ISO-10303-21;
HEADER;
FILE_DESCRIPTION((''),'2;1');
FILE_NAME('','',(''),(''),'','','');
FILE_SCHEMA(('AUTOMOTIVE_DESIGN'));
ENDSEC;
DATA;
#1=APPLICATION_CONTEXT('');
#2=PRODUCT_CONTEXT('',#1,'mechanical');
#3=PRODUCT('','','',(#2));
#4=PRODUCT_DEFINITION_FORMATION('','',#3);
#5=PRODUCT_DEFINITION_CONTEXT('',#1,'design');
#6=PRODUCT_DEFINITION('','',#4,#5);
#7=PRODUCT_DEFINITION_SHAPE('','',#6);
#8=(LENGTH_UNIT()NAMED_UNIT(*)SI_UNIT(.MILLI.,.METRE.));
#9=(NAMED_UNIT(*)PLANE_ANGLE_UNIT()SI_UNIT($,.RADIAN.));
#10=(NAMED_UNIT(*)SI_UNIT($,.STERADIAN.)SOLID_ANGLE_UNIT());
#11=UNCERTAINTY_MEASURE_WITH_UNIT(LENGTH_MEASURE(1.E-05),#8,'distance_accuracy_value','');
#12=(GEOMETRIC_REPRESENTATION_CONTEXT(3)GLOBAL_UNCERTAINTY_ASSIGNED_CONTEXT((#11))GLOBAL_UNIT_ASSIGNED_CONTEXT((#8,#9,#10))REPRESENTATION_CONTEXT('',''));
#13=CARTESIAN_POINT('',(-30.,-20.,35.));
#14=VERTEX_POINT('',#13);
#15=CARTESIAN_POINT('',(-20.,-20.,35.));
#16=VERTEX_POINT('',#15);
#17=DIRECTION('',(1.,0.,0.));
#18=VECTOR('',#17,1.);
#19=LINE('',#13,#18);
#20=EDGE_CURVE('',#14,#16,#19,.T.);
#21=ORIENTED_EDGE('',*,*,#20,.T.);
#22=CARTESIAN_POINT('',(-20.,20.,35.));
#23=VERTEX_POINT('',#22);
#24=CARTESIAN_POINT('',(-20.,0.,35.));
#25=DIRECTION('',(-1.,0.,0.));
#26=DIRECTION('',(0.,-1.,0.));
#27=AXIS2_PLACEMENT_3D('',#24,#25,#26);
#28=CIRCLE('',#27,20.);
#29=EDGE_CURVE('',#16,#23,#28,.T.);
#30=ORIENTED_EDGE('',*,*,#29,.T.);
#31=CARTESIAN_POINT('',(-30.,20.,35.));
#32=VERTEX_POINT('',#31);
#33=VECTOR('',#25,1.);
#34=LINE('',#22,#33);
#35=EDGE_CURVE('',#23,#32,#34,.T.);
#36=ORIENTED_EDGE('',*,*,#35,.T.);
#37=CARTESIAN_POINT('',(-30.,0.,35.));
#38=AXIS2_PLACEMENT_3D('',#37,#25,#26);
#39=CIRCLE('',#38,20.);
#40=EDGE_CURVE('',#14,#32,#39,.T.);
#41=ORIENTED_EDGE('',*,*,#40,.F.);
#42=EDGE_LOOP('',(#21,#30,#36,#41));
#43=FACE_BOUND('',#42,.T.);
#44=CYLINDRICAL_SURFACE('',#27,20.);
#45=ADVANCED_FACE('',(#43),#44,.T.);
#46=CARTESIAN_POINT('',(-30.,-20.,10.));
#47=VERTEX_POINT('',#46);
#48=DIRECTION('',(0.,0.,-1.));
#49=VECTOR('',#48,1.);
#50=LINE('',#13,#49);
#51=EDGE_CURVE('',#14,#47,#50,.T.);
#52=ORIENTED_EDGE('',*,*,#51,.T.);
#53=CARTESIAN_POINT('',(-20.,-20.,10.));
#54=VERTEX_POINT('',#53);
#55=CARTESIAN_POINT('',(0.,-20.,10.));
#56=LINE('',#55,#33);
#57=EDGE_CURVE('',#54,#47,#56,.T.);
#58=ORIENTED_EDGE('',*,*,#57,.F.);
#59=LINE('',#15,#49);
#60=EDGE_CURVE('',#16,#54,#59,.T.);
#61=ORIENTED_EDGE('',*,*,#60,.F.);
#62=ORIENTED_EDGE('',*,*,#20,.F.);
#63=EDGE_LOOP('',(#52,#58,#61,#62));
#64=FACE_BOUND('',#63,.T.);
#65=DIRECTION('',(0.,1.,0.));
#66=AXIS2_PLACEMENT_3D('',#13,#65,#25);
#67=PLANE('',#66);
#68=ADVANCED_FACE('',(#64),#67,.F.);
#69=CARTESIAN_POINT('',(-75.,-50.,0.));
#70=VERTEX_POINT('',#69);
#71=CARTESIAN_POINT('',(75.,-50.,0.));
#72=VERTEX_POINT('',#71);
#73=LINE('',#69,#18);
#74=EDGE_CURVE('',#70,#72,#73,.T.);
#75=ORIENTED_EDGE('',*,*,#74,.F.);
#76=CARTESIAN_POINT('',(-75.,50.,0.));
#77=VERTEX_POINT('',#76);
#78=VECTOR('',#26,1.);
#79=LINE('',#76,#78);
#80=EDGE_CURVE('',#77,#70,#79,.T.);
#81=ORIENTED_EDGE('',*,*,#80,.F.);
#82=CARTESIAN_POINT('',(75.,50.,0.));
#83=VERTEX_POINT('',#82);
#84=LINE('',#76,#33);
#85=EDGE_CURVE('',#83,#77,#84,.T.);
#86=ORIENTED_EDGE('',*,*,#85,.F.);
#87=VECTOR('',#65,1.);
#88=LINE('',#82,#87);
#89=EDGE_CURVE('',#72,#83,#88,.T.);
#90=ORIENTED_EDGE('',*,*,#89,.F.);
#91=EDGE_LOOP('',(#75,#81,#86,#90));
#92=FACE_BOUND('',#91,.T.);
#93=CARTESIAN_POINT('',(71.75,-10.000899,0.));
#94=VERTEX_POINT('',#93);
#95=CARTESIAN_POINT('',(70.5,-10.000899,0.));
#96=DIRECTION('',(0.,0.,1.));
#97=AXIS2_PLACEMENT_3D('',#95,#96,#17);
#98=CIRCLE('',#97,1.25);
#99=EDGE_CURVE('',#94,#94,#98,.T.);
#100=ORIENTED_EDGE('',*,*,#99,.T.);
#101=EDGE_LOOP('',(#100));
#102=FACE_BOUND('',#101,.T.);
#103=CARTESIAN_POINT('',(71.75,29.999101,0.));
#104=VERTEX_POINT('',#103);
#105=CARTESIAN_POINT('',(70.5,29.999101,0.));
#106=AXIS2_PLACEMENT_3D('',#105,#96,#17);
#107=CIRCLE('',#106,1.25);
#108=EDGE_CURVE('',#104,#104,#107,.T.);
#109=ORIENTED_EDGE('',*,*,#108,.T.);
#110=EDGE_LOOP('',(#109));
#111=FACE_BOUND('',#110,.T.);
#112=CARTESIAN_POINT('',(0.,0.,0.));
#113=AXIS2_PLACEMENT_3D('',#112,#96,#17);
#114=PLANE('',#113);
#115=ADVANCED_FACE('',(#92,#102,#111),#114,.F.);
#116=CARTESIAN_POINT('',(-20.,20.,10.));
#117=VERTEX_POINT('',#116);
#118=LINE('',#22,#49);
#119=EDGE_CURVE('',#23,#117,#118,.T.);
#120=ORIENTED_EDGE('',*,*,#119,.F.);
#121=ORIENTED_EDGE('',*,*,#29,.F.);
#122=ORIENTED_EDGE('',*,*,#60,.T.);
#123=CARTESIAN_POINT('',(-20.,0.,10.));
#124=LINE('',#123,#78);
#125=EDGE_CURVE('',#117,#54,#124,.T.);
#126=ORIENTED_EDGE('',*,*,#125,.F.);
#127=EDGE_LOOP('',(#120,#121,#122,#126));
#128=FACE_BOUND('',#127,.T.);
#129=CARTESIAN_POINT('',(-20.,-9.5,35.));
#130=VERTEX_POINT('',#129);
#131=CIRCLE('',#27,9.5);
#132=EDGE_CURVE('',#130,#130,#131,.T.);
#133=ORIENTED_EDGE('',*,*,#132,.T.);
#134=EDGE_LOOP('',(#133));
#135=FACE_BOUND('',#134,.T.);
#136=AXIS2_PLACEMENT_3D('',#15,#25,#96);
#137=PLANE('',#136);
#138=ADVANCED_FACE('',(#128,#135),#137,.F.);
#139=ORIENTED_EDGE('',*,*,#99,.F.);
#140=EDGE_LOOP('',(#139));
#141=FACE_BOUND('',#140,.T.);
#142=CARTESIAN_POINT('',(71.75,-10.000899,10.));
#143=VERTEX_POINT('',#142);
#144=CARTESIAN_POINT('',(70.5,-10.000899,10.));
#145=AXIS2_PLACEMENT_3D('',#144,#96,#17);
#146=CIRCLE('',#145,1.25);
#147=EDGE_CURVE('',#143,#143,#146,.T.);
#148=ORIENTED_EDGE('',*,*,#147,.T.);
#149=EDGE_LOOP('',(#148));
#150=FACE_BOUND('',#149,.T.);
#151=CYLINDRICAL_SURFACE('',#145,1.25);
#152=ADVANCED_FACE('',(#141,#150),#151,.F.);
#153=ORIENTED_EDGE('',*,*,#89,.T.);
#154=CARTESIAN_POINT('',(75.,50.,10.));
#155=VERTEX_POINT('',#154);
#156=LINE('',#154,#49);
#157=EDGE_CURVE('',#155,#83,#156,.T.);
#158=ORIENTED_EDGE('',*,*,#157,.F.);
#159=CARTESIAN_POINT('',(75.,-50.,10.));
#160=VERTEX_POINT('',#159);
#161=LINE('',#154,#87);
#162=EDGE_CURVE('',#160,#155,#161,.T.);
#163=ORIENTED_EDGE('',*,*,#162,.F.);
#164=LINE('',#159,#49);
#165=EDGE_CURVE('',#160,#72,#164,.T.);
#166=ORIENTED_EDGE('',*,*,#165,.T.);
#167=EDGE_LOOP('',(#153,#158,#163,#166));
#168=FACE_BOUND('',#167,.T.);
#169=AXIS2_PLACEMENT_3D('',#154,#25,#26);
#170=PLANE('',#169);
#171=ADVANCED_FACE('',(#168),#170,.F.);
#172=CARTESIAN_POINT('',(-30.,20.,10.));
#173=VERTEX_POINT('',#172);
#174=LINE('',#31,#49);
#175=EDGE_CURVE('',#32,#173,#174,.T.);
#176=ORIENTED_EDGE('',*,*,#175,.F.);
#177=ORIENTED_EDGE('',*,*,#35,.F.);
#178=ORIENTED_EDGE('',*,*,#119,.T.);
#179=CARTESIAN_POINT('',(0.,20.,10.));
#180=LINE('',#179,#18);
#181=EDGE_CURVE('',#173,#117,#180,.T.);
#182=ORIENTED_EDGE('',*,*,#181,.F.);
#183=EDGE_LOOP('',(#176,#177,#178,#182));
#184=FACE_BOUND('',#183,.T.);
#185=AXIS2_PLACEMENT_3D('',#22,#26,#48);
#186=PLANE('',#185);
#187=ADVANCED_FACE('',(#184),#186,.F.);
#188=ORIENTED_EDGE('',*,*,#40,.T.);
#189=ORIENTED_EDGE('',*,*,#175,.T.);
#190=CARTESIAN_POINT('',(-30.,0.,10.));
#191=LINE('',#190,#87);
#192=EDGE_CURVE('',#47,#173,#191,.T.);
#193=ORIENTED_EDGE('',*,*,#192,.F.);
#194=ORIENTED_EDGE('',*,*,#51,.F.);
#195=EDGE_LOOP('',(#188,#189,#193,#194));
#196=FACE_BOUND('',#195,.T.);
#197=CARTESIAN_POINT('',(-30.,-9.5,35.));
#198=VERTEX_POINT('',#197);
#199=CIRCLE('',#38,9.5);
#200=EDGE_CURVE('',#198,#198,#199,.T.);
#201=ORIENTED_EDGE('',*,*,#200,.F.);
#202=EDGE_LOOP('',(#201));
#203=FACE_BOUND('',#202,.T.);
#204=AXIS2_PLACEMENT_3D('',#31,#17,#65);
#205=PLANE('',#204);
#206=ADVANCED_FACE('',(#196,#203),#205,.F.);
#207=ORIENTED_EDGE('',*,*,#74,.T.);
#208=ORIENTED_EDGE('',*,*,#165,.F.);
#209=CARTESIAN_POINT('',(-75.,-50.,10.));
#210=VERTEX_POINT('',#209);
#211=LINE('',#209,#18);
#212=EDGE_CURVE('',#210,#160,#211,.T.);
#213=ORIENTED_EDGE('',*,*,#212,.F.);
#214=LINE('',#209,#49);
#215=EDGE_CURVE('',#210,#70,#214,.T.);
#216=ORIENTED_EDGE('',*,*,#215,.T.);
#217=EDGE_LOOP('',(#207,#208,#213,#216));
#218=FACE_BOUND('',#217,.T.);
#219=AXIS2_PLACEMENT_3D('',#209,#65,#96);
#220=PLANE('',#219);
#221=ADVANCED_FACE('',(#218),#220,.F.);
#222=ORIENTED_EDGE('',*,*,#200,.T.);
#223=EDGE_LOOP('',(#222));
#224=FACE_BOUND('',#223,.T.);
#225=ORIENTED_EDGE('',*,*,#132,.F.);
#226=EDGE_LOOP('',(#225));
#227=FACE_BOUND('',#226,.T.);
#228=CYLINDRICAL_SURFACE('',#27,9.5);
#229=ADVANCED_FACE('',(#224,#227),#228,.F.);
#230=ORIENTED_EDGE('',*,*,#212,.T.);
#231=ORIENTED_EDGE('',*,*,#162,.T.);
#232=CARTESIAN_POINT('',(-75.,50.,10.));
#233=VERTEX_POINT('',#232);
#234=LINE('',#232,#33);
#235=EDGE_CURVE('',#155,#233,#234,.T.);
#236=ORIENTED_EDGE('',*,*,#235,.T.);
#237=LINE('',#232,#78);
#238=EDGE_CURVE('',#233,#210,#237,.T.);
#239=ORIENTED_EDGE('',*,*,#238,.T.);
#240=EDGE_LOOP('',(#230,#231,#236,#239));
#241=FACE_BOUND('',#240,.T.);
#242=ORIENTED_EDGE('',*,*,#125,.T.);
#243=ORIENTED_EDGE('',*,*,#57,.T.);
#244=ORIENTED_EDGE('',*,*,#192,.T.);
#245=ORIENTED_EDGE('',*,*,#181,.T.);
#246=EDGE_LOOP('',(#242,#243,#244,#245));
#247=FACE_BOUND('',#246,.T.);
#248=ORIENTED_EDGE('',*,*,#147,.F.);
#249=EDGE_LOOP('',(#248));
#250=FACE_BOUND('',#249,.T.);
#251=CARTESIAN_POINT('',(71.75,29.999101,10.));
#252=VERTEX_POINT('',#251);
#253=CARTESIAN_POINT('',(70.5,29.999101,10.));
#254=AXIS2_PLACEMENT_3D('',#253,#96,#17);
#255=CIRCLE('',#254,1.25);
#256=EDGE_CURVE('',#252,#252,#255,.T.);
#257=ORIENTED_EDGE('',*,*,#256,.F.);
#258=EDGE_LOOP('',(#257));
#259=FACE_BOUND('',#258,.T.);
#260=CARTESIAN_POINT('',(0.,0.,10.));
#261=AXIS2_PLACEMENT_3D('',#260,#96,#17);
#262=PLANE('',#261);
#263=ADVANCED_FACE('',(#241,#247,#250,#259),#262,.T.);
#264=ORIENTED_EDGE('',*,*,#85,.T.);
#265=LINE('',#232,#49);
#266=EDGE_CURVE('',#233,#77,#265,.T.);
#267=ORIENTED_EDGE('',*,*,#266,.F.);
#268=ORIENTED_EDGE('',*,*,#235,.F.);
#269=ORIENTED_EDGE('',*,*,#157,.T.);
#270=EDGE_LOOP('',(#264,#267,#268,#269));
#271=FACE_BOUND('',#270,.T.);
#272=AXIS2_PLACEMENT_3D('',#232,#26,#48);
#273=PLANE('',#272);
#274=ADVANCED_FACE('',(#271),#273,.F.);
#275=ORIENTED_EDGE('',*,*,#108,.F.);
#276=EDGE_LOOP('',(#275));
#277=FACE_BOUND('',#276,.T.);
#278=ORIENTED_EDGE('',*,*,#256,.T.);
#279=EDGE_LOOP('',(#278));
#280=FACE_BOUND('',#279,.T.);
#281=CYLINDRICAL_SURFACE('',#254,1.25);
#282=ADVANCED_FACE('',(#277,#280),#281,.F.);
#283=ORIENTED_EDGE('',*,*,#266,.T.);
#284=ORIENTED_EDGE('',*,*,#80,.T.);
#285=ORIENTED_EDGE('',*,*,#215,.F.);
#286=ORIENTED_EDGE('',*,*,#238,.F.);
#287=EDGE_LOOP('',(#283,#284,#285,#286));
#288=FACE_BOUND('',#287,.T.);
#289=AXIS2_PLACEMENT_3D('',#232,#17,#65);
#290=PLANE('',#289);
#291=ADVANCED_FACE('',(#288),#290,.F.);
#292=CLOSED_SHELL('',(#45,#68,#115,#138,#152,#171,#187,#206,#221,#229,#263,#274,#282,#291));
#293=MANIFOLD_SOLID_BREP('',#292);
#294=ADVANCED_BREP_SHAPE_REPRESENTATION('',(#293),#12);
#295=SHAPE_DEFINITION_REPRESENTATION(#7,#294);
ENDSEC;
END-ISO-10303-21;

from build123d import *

# Parameters (mm, degrees)
SKETCH_2_W          = 150
SKETCH_2_H          = 100
EXTRUDE_1_DEPTH     = 10
SKETCH_3_W          = 10
SKETCH_3_H          = 40
EXTRUDE_2_DEPTH     = 35
SKETCH_4_R          = 20
EXTRUDE_3_DEPTH     = 10
SKETCH_5_R          = 9.5
CUT_EXTRUDE_1_DEPTH = 10
M3X0_5_2_D          = 2.5


with BuildPart() as part:
    # ｽｹｯﾁ2 → ﾎﾞｽ - 押し出し1 (new body)
    with BuildSketch(Plane.XY):
        Rectangle(SKETCH_2_W, SKETCH_2_H)
    extrude(amount=EXTRUDE_1_DEPTH)

    # ｽｹｯﾁ3 → ﾎﾞｽ - 押し出し2 (add)
    with BuildSketch(Plane.XY):
        with Locations((-25, 0)):
            Rectangle(SKETCH_3_W, SKETCH_3_H)
    extrude(amount=EXTRUDE_2_DEPTH)

    # ｽｹｯﾁ4 → ﾎﾞｽ - 押し出し3 (add)
    with BuildSketch(Plane.ZY.offset(30)):
        with Locations((35, 0)):
            Circle(SKETCH_4_R)
    extrude(amount=-EXTRUDE_3_DEPTH)

    # ｽｹｯﾁ5 → ｶｯﾄ - 押し出し1 (cut)
    with BuildSketch(Plane.ZY.offset(30)):
        with Locations(Location((35, 0, 0), (0, 0, 270))):
            Circle(SKETCH_5_R)
    extrude(amount=-CUT_EXTRUDE_1_DEPTH, mode=Mode.SUBTRACT)

    # M3x0.5 ねじ穴2 (through all)
    with Locations(Plane.XY.offset(10)):
        with Locations((70.5, -10.000898701), (70.5, 29.999101299)):
            Hole(M3X0_5_2_D / 2)


solid = part.part
